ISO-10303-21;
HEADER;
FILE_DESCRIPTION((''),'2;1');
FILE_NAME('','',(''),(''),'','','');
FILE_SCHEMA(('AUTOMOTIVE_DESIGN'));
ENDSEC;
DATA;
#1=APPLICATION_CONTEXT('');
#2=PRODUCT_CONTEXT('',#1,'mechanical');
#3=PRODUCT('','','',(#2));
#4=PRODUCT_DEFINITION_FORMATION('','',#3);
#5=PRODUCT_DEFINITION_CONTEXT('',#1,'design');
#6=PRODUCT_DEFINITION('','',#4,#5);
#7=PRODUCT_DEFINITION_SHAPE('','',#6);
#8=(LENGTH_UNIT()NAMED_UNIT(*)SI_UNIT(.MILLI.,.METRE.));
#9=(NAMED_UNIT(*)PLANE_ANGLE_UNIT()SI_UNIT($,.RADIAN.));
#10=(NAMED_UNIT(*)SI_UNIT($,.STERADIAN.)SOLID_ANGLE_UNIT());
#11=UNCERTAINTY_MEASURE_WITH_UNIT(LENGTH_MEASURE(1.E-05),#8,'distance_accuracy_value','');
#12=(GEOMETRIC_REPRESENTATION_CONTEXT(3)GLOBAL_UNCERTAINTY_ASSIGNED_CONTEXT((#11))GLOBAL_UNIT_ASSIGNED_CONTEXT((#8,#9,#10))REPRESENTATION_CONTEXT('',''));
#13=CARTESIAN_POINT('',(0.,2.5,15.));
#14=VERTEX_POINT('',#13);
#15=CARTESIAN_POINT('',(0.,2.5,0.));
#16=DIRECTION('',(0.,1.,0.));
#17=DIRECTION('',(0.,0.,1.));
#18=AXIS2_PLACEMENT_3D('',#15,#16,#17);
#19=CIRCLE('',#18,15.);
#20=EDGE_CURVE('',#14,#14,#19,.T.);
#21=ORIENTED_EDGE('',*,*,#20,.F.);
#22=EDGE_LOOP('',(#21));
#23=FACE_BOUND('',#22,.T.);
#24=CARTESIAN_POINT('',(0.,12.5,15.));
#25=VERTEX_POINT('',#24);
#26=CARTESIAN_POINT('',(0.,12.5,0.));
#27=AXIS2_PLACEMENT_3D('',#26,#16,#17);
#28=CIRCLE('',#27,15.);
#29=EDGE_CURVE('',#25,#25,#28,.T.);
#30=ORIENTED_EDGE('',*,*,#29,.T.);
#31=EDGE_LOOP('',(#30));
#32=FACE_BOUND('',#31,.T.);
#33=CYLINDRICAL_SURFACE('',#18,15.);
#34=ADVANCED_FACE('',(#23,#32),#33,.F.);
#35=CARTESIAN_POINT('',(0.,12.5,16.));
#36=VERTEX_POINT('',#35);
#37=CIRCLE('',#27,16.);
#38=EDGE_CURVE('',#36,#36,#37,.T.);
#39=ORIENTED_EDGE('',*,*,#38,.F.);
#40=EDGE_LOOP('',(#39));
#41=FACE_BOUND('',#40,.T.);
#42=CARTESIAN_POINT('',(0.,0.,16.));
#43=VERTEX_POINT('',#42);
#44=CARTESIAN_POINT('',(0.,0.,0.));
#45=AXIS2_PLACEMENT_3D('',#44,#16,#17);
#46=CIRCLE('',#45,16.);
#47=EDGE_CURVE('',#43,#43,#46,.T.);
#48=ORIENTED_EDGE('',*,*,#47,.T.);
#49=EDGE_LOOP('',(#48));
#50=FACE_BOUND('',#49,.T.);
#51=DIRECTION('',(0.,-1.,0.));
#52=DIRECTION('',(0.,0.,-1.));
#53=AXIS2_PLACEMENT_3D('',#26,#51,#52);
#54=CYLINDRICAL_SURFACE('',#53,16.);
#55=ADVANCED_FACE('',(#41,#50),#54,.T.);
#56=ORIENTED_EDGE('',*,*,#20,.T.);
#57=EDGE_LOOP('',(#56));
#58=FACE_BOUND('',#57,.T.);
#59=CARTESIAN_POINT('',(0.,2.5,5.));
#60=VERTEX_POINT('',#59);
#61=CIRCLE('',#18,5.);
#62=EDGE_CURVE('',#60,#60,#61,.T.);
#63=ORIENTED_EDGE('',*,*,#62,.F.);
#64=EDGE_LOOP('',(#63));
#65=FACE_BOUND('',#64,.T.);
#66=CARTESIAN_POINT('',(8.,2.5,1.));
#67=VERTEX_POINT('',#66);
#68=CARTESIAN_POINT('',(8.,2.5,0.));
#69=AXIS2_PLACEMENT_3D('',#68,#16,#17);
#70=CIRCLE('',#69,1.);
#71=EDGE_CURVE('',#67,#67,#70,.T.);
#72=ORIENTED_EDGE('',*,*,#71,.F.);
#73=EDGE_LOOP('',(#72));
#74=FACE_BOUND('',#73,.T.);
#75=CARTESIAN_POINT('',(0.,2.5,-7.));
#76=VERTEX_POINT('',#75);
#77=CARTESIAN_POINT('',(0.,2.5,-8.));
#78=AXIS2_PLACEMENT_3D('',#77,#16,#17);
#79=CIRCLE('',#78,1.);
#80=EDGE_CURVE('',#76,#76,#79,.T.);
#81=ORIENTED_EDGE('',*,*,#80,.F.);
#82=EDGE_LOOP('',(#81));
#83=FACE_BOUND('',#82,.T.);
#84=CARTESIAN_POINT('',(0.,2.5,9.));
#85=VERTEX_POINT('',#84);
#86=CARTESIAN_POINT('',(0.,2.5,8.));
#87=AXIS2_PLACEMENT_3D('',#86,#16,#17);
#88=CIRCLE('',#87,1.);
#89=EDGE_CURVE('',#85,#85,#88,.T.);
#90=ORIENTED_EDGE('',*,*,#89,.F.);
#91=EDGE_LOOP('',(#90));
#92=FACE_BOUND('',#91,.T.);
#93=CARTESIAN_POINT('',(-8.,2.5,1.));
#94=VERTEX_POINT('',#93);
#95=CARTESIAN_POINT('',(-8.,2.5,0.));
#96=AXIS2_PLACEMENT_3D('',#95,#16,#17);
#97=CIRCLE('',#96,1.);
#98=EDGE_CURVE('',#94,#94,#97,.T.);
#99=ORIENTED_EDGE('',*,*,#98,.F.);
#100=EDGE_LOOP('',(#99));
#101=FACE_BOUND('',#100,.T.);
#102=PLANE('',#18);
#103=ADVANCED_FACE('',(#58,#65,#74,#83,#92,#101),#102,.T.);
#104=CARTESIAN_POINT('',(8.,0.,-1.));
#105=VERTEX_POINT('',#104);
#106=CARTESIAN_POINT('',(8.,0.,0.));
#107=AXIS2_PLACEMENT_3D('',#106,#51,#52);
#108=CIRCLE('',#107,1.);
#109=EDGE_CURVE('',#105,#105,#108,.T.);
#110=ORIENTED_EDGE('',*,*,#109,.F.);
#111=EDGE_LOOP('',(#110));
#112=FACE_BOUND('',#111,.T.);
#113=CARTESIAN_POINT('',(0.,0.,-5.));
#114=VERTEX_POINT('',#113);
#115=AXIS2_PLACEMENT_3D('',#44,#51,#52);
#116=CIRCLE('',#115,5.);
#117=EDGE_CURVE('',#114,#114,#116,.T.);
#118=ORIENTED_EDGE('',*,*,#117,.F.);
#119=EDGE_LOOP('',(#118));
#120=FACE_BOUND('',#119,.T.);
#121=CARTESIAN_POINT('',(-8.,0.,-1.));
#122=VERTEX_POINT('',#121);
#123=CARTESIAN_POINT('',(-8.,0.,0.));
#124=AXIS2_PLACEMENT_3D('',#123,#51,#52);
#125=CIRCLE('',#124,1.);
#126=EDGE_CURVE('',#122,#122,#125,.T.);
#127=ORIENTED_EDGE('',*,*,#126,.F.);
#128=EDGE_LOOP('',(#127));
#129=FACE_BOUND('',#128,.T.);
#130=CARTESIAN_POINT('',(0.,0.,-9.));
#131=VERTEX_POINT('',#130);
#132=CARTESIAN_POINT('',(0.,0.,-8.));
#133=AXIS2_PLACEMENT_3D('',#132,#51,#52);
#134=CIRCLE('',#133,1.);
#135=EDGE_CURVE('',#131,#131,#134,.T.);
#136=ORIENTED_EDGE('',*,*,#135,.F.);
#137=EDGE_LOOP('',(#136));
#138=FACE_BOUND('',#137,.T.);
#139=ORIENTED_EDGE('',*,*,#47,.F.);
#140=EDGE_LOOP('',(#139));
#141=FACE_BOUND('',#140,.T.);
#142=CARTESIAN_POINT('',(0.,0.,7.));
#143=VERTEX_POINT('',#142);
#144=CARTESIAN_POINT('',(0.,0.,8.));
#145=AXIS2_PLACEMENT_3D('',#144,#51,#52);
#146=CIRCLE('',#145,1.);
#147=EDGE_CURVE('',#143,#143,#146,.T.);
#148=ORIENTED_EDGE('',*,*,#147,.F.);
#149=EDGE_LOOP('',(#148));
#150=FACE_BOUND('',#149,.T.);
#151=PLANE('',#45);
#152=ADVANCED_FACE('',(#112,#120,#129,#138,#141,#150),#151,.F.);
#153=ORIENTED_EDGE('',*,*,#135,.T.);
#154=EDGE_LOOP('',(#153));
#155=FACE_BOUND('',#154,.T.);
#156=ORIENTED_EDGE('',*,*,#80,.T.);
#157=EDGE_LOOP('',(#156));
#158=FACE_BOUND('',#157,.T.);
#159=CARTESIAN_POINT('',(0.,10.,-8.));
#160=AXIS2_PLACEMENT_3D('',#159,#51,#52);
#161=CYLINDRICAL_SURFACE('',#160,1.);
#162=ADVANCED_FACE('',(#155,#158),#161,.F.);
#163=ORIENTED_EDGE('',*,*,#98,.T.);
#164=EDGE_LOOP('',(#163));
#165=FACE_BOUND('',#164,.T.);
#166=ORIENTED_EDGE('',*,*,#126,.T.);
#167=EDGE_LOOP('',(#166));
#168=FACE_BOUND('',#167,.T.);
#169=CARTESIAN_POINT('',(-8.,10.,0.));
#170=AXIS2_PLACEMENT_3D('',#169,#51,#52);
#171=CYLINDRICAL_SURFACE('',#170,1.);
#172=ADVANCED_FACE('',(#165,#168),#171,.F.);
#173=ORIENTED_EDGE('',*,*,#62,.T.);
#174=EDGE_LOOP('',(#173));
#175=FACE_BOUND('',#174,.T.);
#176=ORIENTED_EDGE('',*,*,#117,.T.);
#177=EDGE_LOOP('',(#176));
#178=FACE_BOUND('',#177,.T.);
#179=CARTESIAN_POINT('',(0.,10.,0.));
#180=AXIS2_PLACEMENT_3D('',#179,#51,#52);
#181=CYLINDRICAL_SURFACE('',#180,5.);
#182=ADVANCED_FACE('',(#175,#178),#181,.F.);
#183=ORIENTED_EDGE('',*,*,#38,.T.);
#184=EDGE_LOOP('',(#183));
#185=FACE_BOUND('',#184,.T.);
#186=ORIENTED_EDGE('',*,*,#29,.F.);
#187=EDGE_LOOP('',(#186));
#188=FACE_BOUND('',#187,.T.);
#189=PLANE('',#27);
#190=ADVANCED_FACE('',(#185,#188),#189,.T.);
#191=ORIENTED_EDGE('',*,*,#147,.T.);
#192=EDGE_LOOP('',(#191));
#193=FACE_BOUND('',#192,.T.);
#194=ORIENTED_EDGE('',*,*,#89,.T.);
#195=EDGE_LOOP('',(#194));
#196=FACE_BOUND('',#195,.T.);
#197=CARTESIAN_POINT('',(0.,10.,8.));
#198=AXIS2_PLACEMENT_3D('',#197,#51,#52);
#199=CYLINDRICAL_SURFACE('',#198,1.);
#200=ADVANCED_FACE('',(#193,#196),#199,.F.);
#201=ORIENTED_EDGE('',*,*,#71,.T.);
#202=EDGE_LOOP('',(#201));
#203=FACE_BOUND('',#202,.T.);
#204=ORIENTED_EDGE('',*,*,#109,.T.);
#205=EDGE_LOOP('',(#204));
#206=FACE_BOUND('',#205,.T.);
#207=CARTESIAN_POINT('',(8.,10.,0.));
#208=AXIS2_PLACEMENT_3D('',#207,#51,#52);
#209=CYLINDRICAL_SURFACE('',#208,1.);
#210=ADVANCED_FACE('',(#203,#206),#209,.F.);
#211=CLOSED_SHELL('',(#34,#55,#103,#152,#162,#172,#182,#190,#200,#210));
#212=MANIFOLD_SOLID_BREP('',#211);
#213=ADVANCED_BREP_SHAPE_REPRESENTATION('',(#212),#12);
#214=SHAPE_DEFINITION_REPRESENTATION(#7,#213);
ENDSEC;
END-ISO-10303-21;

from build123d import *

# Parameters (mm, degrees)
SKETCH1_R           = 16
BOSS_EXTRUDE1_DEPTH = 12.5
SKETCH2_R           = 15
CUT_EXTRUDE1_DEPTH  = 10
SKETCH3_R           = 5
CUT_EXTRUDE2_DEPTH  = 10
SKETCH4_R           = 1
CUT_EXTRUDE3_DEPTH  = 10


with BuildPart() as part:
    # Sketch1 → Boss-Extrude1 (new body)
    with BuildSketch(Plane(origin=(0, 0, 0), x_dir=(1, 0, 0), z_dir=(0, 1, 0))):
        with Locations(Location((0, 0, 0), (0, 0, 270))):
            Circle(SKETCH1_R)
    extrude(amount=BOSS_EXTRUDE1_DEPTH)

    # Sketch2 → Cut-Extrude1 (cut)
    with BuildSketch(Plane(origin=(0, 12.5, 0), x_dir=(1, 0, 0), z_dir=(0, 1, 0))):
        with Locations(Location((0, 0, 0), (0, 0, 270))):
            Circle(SKETCH2_R)
    extrude(amount=-CUT_EXTRUDE1_DEPTH, mode=Mode.SUBTRACT)

    # Sketch3 → Cut-Extrude2 (cut)
    with BuildSketch(Plane(origin=(0, 0, 0), x_dir=(-1, 0, 0), z_dir=(0, -1, 0))):
        with Locations(Location((0, 0, 0), (0, 0, 90))):
            Circle(SKETCH3_R)
    extrude(amount=-CUT_EXTRUDE2_DEPTH, mode=Mode.SUBTRACT)

    # Sketch4 → Cut-Extrude3 (cut)
    with BuildSketch(Plane(origin=(0, 0, 0), x_dir=(-1, 0, 0), z_dir=(0, -1, 0))):
        with Locations(Location((0, 8, 0), (0, 0, 90))):
            Circle(SKETCH4_R)
        with Locations(Location((0, -8, 0), (0, 0, 90))):
            Circle(SKETCH4_R)
        with Locations(Location((-8, 0, 0), (0, 0, 90))):
            Circle(SKETCH4_R)
        with Locations(Location((8, 0, 0), (0, 0, 90))):
            Circle(SKETCH4_R)
    extrude(amount=-CUT_EXTRUDE3_DEPTH, mode=Mode.SUBTRACT)


solid = part.part
